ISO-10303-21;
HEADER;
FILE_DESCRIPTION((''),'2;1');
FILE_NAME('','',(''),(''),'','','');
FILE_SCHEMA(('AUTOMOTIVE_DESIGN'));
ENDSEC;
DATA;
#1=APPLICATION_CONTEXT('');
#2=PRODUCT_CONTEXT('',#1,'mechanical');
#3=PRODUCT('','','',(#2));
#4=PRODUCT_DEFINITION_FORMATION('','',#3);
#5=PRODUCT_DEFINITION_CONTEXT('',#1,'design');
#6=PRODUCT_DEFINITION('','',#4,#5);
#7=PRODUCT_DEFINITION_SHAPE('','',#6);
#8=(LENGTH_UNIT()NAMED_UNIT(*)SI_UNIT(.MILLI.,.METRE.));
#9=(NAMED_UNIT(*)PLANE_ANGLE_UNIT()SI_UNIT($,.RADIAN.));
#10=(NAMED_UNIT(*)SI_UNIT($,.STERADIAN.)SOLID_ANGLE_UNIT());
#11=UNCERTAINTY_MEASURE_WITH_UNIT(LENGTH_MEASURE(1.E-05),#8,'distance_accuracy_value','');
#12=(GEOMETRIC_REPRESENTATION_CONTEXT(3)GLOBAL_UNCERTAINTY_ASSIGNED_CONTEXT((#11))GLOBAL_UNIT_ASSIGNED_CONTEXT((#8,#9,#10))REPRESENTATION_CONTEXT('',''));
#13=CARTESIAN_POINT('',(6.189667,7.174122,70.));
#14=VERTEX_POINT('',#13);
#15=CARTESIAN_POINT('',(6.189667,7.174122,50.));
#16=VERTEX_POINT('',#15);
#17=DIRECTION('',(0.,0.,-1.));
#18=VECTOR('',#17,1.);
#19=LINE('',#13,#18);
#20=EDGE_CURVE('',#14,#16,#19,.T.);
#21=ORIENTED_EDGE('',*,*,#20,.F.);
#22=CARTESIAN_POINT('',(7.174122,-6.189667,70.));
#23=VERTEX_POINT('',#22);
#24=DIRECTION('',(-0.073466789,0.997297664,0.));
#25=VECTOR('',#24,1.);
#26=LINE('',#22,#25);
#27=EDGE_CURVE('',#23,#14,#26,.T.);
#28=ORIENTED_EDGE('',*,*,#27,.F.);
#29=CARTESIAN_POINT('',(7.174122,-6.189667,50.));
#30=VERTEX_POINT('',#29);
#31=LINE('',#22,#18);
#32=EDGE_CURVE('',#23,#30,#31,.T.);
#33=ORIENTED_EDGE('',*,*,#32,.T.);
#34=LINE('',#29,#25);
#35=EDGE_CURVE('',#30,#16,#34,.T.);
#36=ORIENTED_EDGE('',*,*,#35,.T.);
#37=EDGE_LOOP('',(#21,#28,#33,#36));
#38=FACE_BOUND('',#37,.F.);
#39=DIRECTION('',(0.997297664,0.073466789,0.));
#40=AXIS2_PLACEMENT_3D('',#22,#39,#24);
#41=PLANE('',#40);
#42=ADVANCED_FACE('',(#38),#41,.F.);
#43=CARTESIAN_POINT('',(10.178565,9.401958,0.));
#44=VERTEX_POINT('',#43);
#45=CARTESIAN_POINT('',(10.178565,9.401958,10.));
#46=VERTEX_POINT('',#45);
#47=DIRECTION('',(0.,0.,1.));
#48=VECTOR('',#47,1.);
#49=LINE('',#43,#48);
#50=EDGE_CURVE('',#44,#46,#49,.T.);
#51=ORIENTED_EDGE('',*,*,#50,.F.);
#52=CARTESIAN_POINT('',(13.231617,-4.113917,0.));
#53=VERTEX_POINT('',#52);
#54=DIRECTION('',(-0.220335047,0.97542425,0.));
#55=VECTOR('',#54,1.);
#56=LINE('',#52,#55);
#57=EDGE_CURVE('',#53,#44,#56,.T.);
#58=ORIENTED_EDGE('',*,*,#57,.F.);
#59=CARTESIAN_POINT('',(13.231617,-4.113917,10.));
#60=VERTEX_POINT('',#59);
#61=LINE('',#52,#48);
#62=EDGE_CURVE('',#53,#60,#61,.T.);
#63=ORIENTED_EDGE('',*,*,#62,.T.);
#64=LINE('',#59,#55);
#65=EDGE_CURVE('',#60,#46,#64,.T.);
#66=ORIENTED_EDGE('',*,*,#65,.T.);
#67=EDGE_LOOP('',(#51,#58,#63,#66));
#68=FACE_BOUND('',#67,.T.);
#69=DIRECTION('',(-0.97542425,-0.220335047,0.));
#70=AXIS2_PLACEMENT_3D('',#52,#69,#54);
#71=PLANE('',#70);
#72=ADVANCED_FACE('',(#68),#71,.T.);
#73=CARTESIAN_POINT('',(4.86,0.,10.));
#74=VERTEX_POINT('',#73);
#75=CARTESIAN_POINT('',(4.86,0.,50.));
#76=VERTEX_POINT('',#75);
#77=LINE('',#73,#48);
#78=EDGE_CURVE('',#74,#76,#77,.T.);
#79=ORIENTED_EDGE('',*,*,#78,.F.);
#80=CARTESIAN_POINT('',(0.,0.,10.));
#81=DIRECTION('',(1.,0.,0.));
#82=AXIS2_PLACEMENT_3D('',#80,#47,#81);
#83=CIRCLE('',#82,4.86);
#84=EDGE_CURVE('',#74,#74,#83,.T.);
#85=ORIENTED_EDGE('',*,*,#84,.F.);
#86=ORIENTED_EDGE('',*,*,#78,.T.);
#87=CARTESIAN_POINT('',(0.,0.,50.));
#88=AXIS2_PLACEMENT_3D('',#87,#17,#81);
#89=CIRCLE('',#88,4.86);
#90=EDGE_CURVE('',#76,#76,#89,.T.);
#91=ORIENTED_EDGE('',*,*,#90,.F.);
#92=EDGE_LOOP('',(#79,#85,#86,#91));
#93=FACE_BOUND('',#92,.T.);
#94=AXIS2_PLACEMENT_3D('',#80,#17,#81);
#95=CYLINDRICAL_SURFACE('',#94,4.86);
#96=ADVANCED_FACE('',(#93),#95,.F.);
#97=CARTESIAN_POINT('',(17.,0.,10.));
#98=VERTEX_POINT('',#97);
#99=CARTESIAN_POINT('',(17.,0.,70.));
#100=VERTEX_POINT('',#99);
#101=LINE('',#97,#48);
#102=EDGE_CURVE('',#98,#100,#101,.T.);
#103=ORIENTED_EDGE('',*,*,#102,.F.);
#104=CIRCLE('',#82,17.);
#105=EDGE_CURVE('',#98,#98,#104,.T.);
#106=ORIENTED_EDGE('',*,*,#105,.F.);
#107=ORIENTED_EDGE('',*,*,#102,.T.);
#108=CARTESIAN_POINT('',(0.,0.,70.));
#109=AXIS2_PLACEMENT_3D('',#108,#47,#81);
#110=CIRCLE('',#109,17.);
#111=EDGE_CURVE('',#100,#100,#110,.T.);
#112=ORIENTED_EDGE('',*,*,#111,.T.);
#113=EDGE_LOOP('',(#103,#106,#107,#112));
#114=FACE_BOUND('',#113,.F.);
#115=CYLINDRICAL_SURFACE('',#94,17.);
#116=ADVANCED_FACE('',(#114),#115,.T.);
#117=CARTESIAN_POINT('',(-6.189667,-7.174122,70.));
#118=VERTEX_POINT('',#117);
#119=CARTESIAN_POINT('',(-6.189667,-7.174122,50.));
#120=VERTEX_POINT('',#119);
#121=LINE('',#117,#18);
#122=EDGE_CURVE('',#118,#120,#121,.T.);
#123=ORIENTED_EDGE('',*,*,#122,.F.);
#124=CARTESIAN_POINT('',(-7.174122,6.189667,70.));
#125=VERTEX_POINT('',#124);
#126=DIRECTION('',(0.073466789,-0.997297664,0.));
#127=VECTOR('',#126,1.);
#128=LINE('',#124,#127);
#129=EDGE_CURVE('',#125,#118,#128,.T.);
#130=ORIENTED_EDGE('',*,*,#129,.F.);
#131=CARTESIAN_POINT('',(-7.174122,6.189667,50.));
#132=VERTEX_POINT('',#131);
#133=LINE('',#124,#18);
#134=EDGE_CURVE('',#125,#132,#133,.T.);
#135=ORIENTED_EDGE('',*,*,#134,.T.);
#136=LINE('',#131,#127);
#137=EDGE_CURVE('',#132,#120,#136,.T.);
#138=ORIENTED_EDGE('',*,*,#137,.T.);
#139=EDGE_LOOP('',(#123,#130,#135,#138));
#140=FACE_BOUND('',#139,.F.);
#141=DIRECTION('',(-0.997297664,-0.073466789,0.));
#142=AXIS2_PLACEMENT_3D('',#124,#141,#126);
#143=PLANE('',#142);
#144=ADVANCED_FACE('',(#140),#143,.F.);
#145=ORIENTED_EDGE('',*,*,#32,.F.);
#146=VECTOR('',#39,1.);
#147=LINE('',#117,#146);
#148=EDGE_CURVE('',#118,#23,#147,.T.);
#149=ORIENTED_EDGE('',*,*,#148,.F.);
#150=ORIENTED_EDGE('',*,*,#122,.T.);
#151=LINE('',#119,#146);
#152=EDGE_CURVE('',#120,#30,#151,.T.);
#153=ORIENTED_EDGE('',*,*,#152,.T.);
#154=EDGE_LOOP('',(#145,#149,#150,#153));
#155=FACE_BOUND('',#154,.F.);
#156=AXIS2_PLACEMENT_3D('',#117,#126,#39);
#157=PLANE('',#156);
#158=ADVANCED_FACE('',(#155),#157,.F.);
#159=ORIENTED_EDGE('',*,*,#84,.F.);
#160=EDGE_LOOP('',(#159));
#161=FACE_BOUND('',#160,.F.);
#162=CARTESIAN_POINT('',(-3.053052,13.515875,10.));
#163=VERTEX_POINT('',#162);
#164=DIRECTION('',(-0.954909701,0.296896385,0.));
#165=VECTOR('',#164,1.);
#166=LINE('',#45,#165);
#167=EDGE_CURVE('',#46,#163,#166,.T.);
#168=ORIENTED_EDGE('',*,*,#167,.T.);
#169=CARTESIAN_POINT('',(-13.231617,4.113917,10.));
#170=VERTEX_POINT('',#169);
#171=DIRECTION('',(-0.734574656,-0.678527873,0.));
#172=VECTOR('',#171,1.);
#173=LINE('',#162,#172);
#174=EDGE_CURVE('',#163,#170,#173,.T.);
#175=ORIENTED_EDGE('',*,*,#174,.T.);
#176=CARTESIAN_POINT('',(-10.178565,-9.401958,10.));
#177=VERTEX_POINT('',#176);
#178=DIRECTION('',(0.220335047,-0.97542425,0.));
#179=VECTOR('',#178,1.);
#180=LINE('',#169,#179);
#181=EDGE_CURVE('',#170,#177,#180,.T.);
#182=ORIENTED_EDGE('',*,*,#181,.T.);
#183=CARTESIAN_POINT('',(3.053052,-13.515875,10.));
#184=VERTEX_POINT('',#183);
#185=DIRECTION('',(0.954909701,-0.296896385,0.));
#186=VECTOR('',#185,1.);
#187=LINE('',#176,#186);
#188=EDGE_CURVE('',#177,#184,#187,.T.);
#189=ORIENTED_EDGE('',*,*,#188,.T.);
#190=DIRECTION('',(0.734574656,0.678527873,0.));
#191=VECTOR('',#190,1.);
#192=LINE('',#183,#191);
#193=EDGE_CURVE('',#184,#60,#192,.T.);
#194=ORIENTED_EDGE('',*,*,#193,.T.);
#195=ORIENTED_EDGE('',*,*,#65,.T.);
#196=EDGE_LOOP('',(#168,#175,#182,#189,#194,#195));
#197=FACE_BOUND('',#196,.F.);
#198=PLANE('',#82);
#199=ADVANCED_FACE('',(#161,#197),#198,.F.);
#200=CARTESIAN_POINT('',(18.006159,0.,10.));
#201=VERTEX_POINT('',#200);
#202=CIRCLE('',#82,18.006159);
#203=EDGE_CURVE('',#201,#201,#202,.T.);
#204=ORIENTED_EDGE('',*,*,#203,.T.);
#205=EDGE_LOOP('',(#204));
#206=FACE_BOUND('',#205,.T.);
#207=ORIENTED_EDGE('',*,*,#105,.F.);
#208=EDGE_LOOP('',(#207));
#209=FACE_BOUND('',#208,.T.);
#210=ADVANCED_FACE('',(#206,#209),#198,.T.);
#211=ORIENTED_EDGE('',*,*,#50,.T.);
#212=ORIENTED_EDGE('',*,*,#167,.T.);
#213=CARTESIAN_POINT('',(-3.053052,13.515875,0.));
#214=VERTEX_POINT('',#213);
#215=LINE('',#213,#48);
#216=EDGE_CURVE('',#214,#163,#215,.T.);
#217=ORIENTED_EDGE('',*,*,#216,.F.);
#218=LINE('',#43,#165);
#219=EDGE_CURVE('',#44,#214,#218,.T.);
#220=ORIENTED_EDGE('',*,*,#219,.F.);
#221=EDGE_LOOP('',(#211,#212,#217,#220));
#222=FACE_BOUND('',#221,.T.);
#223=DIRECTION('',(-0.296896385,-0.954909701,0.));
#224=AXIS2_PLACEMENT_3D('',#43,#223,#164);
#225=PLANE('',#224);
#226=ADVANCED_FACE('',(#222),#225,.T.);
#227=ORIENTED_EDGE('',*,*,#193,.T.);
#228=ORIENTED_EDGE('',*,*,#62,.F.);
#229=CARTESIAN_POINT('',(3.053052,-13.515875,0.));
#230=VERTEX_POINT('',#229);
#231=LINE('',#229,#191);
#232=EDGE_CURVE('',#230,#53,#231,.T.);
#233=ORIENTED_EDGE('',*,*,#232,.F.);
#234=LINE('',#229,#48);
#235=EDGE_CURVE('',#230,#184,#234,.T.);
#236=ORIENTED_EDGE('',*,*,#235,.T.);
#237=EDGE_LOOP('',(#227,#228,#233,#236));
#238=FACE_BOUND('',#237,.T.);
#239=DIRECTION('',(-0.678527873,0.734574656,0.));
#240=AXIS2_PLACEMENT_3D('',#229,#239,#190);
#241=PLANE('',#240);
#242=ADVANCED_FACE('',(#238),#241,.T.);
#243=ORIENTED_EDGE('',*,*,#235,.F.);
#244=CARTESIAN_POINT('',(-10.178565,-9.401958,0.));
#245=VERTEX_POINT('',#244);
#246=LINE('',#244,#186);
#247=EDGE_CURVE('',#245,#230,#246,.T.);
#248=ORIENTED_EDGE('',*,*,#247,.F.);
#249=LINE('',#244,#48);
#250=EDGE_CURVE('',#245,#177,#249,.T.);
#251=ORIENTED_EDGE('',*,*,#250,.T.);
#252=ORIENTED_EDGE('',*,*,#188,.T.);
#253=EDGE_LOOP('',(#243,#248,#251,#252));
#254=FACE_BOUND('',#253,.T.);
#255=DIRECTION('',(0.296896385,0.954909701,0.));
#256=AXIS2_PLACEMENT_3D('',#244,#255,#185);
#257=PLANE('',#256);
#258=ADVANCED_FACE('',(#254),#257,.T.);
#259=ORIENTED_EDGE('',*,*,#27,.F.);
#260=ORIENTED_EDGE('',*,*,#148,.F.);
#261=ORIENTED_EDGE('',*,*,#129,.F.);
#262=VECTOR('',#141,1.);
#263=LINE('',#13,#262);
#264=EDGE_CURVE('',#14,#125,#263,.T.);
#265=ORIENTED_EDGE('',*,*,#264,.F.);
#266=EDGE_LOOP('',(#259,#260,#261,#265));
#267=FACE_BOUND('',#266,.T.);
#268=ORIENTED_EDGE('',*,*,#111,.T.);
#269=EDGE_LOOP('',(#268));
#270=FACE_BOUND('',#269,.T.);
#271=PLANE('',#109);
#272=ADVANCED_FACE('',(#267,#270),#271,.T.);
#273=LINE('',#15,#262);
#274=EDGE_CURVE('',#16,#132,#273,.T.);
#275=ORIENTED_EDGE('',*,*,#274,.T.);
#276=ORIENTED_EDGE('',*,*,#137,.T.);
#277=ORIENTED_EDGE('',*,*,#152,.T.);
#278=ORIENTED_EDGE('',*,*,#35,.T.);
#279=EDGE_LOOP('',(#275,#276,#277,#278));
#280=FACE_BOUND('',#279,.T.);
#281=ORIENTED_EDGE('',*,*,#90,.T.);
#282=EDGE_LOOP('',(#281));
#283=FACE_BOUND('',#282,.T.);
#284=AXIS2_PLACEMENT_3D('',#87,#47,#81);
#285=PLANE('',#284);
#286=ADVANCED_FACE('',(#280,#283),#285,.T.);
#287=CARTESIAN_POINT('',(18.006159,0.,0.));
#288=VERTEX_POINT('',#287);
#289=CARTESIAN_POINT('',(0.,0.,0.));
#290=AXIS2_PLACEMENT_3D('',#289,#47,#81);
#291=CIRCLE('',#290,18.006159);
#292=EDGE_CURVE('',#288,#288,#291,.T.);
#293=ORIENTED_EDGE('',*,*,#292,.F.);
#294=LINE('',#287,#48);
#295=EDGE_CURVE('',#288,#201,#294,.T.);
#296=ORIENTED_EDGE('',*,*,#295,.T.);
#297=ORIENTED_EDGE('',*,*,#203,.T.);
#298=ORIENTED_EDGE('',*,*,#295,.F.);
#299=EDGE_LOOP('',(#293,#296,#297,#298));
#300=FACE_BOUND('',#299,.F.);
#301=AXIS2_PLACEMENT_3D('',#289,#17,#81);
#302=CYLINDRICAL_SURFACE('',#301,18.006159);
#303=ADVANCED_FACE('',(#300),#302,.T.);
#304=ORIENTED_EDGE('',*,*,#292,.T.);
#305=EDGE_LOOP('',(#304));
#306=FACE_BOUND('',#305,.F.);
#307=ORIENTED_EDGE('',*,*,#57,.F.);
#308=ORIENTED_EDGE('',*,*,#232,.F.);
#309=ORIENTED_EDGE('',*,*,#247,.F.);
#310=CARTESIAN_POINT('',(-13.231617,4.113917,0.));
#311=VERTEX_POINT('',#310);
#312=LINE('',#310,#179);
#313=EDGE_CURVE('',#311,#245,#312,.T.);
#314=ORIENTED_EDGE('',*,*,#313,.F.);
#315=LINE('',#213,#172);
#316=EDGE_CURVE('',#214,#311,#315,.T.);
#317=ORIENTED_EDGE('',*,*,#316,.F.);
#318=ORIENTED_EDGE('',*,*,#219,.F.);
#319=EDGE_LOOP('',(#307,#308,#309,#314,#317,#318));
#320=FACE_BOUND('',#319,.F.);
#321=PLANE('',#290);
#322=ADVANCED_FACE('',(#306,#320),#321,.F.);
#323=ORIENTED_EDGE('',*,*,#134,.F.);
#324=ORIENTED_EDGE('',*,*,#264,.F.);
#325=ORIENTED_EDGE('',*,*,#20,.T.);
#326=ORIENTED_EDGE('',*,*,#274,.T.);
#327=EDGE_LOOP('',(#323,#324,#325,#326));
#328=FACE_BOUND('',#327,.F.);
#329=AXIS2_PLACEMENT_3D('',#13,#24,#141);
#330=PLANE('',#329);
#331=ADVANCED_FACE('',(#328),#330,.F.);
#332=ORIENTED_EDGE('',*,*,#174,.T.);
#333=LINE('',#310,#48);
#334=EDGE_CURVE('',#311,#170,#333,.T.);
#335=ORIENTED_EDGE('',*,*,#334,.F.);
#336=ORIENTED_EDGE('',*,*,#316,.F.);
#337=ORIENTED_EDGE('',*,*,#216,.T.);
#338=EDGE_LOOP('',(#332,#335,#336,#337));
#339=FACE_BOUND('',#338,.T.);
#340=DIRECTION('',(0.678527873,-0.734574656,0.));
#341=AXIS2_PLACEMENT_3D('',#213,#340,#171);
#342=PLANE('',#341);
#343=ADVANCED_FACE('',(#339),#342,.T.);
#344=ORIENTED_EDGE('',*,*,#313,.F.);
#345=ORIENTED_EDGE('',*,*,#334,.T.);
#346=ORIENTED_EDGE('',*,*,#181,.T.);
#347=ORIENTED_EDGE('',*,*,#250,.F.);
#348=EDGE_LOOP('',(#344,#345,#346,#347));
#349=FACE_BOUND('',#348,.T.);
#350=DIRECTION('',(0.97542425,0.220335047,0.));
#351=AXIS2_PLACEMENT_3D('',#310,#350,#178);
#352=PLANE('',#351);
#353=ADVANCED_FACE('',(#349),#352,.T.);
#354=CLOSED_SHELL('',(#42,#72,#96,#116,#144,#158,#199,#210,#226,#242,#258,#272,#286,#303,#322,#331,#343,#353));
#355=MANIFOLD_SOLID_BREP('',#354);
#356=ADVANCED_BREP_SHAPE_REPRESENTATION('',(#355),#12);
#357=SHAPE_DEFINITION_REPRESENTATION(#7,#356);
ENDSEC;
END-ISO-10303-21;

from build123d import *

# Parameters (mm, degrees)
SKETCH_R      = 18.006159
PAD_DEPTH     = 10
SKETCH001_R   = 17
SKETCH001_R_2 = 4.86
PAD001_DEPTH  = 60
POCKET_DEPTH  = 20


with BuildPart() as part:
    # Sketch → Pad (new body)
    with BuildSketch(Plane.XY):
        Circle(SKETCH_R)
        Polygon((-13.231617, 4.113917), (-10.178565, -9.401958), (3.053052, -13.515875), (13.231617, -4.113917), (10.178565, 9.401958), (-3.053052, 13.515875), align=None, mode=Mode.SUBTRACT)
    extrude(amount=PAD_DEPTH)

    # Sketch001 (on Face9 of Pad) → Pad001 (join)
    with BuildSketch(Plane.XY.offset(10)):
        Circle(SKETCH001_R)
        Circle(SKETCH001_R_2, mode=Mode.SUBTRACT)
    extrude(amount=PAD001_DEPTH)

    # Sketch002 (on Face12 of Pad001) → Pocket (cut)
    with BuildSketch(Plane.XY.offset(70)):
        Polygon((-7.174122, 6.189667), (-6.189667, -7.174122), (7.174122, -6.189667), (6.189667, 7.174122), align=None)
    extrude(amount=-POCKET_DEPTH, mode=Mode.SUBTRACT)


solid = part.part
